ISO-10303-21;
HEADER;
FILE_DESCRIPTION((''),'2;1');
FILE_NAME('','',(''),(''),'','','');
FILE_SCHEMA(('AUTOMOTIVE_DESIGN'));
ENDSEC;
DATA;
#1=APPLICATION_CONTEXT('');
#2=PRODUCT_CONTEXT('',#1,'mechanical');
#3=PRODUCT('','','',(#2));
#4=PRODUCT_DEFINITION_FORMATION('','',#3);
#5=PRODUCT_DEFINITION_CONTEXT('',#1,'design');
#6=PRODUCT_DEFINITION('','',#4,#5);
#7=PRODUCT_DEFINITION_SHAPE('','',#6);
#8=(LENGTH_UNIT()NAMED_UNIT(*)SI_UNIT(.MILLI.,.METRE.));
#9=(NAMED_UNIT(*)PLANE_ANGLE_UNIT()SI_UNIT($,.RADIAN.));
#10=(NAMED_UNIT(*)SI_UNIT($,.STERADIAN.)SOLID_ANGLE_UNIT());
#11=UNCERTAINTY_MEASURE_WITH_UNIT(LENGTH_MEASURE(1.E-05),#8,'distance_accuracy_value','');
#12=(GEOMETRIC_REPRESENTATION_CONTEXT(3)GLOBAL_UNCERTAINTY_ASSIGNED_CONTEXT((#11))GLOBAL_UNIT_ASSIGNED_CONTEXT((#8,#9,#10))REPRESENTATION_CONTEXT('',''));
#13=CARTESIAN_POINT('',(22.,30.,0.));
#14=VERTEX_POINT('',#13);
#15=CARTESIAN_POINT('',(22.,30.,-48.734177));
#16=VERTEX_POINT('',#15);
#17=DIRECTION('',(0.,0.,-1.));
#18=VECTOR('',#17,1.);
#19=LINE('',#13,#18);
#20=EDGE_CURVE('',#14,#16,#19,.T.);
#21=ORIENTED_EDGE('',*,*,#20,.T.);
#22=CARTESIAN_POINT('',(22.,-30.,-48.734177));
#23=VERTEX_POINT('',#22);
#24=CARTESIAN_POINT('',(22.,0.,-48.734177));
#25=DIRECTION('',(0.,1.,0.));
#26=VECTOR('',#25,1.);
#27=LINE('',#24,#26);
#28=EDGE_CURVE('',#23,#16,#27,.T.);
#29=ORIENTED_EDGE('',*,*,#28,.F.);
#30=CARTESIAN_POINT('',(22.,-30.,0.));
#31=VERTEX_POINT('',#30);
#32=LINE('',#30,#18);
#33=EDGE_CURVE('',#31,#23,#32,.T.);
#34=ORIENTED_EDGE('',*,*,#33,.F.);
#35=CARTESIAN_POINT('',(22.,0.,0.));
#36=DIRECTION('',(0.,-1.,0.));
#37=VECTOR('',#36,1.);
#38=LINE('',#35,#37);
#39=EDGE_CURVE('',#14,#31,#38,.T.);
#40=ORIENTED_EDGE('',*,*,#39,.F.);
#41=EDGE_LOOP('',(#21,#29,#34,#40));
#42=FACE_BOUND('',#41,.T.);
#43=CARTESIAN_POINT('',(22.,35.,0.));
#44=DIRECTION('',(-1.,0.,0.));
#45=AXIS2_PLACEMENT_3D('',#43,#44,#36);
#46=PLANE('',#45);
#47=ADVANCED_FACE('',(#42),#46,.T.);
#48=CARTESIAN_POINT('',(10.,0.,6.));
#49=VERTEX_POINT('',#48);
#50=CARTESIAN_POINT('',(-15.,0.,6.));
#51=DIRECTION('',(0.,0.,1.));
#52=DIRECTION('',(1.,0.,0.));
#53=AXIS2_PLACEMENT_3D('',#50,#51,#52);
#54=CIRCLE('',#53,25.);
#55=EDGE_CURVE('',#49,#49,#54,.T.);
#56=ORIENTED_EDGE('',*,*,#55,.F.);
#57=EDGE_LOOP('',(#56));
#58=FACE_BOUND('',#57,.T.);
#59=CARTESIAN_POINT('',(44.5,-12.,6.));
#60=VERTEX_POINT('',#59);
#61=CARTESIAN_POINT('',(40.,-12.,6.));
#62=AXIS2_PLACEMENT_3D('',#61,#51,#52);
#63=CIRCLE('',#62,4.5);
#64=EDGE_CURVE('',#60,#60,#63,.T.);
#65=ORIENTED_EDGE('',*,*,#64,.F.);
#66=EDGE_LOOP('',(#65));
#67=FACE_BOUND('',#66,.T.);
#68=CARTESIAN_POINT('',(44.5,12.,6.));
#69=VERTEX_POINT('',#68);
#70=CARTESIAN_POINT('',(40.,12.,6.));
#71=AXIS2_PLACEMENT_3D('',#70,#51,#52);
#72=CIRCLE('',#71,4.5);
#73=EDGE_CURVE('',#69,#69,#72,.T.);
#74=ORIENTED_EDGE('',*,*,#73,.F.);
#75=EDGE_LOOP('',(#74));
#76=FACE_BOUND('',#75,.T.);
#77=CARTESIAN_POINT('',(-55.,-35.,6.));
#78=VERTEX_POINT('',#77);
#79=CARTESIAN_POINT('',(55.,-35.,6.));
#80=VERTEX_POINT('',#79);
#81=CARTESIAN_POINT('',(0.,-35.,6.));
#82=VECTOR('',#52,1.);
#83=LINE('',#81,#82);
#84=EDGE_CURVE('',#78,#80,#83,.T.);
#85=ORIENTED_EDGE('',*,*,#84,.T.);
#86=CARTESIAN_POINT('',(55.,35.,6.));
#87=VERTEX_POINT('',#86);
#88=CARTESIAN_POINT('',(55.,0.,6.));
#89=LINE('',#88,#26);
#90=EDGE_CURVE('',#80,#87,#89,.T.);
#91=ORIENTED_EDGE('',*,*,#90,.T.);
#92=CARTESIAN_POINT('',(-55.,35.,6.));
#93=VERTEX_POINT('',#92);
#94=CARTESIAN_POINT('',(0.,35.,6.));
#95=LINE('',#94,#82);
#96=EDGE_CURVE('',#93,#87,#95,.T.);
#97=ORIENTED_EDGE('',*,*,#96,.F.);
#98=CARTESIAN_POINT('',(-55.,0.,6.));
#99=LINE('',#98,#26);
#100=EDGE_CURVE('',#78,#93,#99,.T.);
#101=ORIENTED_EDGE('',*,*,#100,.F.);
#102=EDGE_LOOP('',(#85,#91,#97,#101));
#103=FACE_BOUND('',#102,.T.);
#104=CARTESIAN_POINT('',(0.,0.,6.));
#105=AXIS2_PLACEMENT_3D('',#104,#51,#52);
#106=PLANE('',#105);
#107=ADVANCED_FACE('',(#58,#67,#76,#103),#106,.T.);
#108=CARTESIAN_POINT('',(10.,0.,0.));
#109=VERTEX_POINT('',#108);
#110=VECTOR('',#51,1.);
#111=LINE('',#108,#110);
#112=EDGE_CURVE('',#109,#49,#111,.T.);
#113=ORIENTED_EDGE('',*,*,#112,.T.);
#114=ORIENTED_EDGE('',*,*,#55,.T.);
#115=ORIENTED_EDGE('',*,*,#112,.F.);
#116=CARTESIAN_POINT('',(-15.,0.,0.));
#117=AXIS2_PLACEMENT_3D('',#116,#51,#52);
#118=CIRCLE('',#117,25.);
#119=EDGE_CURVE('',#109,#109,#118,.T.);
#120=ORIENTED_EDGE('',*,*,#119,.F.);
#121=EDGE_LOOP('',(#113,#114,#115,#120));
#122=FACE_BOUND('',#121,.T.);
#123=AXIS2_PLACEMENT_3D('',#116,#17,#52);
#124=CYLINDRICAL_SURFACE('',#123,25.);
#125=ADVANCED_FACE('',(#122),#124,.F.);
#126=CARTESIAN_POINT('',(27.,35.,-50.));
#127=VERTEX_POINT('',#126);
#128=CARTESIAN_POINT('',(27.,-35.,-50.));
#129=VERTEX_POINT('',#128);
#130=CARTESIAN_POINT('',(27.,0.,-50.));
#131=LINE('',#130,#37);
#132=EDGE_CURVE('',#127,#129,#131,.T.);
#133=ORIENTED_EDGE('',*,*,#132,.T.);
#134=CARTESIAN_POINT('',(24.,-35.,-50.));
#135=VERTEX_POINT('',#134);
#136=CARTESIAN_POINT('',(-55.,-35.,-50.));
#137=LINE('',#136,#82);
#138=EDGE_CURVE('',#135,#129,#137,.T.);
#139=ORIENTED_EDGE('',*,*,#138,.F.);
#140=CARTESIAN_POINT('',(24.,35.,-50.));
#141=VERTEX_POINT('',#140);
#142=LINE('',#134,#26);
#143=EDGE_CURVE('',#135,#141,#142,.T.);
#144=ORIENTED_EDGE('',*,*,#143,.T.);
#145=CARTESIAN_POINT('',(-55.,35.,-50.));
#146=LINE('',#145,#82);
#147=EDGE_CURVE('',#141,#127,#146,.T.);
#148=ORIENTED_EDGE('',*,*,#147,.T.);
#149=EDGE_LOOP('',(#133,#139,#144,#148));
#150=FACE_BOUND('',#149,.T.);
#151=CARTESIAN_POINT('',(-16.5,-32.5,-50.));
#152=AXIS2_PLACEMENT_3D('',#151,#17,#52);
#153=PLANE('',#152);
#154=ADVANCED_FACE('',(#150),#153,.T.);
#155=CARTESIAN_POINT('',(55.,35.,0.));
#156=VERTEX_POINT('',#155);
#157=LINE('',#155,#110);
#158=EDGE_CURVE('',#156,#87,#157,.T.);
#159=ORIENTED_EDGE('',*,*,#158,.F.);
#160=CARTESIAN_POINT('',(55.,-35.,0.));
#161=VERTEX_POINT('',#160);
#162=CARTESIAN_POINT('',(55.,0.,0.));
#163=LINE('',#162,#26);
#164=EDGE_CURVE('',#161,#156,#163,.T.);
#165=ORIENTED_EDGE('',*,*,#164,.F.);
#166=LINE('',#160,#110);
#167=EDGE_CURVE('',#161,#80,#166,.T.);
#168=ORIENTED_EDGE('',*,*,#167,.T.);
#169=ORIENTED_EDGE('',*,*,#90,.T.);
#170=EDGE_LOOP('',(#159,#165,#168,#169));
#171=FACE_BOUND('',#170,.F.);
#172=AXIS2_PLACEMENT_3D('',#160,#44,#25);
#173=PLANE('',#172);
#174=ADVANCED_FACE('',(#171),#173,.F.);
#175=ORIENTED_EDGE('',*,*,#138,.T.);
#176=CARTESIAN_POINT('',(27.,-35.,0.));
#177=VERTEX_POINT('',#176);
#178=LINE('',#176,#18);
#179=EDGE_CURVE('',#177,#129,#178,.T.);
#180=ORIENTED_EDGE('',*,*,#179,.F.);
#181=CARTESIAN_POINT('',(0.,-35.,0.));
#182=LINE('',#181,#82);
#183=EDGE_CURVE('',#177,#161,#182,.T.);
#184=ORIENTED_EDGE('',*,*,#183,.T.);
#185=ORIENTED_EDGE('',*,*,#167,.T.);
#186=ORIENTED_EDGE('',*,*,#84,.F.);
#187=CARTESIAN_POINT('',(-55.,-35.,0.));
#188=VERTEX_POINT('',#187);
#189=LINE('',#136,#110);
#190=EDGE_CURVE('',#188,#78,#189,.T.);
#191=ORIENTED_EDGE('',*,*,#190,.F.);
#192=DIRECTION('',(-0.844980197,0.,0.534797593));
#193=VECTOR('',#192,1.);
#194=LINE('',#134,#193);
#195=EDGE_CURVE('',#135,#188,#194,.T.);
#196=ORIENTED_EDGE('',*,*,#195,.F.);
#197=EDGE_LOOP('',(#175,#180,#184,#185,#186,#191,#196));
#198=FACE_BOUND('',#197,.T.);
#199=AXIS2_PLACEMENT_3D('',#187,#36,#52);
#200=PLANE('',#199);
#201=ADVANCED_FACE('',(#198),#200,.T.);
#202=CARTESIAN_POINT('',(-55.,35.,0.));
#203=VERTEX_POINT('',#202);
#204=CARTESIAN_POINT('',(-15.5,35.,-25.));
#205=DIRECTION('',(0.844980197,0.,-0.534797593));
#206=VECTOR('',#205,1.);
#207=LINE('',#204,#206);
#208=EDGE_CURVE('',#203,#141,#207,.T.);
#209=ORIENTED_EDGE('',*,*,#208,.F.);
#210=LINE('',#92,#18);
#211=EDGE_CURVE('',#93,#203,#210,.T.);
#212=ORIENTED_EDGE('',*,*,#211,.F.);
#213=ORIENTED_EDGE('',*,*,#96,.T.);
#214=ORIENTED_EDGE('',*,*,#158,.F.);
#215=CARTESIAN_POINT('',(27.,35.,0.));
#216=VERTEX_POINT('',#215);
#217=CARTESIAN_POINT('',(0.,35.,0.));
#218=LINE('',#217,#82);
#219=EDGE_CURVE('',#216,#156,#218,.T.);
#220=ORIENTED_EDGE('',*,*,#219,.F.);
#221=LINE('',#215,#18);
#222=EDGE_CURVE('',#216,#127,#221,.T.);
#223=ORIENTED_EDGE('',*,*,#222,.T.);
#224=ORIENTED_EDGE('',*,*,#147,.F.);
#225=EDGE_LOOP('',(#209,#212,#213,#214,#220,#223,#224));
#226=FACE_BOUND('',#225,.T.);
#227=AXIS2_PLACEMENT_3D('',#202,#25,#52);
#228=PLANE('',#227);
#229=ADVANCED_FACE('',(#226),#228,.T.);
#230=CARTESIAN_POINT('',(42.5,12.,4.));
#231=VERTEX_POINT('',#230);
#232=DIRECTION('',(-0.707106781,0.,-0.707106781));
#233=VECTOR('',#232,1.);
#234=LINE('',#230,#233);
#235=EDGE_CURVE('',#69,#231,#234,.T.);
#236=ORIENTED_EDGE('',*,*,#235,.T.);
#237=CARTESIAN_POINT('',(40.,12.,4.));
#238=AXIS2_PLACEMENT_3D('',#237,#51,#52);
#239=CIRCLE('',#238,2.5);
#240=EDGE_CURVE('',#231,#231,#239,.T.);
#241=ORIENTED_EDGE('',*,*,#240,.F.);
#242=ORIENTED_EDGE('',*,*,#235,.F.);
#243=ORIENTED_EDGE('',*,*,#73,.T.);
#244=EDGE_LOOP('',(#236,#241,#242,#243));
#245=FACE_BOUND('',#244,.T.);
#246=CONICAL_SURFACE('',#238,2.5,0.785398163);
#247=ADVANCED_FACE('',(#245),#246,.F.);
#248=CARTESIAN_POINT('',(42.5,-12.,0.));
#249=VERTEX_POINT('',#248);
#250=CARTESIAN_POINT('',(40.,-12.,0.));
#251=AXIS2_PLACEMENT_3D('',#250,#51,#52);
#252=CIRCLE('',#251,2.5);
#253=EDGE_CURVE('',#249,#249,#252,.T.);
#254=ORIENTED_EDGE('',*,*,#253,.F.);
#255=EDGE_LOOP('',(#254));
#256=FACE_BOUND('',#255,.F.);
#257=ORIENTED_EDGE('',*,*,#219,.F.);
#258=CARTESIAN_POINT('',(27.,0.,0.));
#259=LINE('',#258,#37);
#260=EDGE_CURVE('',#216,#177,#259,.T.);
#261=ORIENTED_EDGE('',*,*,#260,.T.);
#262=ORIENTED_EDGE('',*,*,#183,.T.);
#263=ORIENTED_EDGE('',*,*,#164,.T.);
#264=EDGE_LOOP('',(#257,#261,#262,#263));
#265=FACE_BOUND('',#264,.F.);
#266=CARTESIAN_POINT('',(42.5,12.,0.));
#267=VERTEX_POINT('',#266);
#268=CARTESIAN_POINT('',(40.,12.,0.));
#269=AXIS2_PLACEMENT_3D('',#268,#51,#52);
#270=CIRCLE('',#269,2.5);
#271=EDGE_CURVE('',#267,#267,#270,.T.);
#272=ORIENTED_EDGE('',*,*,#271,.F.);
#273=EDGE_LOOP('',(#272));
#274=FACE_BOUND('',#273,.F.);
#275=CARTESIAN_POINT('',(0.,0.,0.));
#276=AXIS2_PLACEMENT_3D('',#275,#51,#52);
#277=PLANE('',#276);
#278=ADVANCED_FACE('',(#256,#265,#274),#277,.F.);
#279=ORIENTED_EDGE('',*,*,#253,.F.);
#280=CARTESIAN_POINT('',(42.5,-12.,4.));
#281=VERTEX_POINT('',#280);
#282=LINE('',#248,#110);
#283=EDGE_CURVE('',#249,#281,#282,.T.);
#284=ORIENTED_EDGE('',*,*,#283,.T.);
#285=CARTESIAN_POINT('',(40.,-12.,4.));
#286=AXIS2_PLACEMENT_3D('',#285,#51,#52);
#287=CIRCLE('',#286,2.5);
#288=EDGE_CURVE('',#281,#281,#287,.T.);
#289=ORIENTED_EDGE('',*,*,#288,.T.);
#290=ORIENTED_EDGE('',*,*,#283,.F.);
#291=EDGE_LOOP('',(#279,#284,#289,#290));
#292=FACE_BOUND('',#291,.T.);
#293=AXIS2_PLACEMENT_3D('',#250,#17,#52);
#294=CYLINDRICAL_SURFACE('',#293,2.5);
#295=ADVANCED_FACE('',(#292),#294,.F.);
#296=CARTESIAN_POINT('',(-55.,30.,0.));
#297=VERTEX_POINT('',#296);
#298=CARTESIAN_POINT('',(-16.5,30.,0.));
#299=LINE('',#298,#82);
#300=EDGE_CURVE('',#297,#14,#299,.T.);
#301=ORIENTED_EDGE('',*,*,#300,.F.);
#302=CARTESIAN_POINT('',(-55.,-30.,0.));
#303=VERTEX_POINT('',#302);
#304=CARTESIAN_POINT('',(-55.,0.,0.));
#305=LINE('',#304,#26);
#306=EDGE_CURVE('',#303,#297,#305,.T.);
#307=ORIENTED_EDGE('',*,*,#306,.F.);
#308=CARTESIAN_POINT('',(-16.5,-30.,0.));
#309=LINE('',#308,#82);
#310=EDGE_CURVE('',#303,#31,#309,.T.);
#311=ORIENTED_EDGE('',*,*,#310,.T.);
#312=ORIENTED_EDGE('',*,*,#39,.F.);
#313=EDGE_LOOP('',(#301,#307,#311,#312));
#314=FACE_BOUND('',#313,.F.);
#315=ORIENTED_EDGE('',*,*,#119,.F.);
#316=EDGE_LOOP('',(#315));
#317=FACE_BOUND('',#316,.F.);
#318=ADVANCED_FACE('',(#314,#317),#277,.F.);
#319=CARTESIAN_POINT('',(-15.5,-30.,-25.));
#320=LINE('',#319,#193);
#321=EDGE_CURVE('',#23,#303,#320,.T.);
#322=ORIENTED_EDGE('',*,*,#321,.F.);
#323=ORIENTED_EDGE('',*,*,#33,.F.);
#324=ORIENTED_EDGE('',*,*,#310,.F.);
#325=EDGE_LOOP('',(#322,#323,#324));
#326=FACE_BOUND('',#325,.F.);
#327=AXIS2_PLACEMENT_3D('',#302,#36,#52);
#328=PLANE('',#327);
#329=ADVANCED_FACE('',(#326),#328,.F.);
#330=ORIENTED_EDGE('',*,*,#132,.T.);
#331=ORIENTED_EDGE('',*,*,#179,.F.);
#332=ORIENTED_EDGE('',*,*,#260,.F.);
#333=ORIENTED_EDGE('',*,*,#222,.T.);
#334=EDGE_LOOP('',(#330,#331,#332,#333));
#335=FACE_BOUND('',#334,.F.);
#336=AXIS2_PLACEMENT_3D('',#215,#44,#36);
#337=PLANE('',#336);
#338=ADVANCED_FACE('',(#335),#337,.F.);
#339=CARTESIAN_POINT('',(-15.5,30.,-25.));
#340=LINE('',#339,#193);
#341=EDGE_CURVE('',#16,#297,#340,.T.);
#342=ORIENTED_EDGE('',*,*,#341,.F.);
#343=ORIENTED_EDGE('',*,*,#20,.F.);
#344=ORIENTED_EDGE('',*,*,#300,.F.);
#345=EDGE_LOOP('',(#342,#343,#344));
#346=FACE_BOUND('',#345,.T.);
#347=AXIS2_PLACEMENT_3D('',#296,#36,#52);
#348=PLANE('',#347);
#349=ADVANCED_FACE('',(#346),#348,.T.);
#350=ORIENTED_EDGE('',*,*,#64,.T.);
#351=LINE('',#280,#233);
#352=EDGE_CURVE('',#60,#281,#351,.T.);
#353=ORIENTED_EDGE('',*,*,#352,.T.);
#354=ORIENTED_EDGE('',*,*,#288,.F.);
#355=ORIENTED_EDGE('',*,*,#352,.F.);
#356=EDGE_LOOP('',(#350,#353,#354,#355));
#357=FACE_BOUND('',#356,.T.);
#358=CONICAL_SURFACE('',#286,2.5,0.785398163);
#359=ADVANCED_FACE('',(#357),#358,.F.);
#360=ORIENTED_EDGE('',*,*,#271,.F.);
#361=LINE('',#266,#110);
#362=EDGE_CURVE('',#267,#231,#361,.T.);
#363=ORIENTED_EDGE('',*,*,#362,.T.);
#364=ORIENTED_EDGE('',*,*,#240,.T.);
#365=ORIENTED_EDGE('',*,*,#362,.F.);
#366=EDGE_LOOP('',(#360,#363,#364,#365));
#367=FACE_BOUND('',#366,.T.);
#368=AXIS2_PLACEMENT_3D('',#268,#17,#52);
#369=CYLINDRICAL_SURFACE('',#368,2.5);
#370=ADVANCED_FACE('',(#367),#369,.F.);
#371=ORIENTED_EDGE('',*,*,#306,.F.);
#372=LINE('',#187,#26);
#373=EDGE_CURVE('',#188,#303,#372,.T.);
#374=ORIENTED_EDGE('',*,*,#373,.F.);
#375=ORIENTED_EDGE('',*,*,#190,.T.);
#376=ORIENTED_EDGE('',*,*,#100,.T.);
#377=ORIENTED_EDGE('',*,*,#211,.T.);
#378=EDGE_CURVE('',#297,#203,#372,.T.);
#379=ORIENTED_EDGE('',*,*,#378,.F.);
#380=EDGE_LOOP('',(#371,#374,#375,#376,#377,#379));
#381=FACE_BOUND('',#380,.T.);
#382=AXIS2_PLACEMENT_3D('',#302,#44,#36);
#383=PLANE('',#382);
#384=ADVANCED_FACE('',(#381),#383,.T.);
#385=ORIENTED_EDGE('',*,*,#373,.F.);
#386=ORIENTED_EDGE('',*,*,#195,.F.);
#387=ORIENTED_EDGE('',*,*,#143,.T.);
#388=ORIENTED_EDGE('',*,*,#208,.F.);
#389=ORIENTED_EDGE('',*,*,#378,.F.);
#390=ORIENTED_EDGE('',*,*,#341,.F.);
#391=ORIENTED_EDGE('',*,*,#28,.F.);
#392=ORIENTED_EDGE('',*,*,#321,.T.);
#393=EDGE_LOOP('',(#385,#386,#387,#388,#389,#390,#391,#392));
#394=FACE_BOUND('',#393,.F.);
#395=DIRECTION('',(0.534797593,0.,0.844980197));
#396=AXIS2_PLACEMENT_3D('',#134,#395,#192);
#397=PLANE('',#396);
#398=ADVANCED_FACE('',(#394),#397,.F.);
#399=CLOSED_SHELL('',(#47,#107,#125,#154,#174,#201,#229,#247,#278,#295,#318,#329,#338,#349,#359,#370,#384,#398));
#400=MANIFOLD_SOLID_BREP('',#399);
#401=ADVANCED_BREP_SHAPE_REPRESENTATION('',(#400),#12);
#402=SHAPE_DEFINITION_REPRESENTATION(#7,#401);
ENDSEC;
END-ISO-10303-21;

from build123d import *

# Parameters (mm, degrees)
F0_W     = 110
F0_H     = 70
F0_R     = 2.5
F0_R_2   = 25
F1_DEPTH = 6
F2_W     = 5
F2_H     = 70
F3_DEPTH = 50
F4_W     = 77
F4_H     = 5
F5_DEPTH = 50
F7_DEPTH = 84.5
F8_SIZE  = 2
F9_SIZE  = 2


with BuildPart() as f1:
    # F0 (on Top) → F1 (new body)
    with BuildSketch(Plane.XY):
        Rectangle(F0_W, F0_H)
        with Locations((40, -12)):
            Circle(F0_R, mode=Mode.SUBTRACT)
        with Locations((-15, 0)):
            Circle(F0_R_2, mode=Mode.SUBTRACT)
        with Locations((40, 12)):
            Circle(F0_R, mode=Mode.SUBTRACT)
    extrude(amount=F1_DEPTH)

    # F2 (on face) → F3 (join)
    with BuildSketch(Plane(origin=(0, 0, 0), x_dir=(1, 0, 0), z_dir=(0, 0, -1))):
        with Locations((24.5, 0)):
            Rectangle(F2_W, F2_H)
    extrude(amount=F3_DEPTH)

    # F4 (on face) → F5 (join)
    with BuildSketch(Plane(origin=(0, 0, 0), x_dir=(1, 0, 0), z_dir=(0, 0, -1))):
        with Locations((-16.5, 32.5)):
            Rectangle(F4_W, F4_H)
        with Locations((-16.5, -32.5)):
            Rectangle(F4_W, F4_H)
    extrude(amount=F5_DEPTH)

    # F6 (on face) → F7 (cut)
    with BuildSketch(Plane.XZ.offset(35)):
        Polygon((24, -50), (-55, 0), (-55, -50), align=None)
    extrude(amount=-F7_DEPTH, mode=Mode.SUBTRACT)

    # F8
    f8_edges = [f1.edges().sort_by_distance(p)[0] for p in [
        (37.5, 12, 6),
    ]]
    chamfer(f8_edges, length=F8_SIZE)

    # F9
    f9_edges = [f1.edges().sort_by_distance(p)[0] for p in [
        (37.5, -12, 6),
    ]]
    chamfer(f9_edges, length=F9_SIZE)


solid = f1.part
